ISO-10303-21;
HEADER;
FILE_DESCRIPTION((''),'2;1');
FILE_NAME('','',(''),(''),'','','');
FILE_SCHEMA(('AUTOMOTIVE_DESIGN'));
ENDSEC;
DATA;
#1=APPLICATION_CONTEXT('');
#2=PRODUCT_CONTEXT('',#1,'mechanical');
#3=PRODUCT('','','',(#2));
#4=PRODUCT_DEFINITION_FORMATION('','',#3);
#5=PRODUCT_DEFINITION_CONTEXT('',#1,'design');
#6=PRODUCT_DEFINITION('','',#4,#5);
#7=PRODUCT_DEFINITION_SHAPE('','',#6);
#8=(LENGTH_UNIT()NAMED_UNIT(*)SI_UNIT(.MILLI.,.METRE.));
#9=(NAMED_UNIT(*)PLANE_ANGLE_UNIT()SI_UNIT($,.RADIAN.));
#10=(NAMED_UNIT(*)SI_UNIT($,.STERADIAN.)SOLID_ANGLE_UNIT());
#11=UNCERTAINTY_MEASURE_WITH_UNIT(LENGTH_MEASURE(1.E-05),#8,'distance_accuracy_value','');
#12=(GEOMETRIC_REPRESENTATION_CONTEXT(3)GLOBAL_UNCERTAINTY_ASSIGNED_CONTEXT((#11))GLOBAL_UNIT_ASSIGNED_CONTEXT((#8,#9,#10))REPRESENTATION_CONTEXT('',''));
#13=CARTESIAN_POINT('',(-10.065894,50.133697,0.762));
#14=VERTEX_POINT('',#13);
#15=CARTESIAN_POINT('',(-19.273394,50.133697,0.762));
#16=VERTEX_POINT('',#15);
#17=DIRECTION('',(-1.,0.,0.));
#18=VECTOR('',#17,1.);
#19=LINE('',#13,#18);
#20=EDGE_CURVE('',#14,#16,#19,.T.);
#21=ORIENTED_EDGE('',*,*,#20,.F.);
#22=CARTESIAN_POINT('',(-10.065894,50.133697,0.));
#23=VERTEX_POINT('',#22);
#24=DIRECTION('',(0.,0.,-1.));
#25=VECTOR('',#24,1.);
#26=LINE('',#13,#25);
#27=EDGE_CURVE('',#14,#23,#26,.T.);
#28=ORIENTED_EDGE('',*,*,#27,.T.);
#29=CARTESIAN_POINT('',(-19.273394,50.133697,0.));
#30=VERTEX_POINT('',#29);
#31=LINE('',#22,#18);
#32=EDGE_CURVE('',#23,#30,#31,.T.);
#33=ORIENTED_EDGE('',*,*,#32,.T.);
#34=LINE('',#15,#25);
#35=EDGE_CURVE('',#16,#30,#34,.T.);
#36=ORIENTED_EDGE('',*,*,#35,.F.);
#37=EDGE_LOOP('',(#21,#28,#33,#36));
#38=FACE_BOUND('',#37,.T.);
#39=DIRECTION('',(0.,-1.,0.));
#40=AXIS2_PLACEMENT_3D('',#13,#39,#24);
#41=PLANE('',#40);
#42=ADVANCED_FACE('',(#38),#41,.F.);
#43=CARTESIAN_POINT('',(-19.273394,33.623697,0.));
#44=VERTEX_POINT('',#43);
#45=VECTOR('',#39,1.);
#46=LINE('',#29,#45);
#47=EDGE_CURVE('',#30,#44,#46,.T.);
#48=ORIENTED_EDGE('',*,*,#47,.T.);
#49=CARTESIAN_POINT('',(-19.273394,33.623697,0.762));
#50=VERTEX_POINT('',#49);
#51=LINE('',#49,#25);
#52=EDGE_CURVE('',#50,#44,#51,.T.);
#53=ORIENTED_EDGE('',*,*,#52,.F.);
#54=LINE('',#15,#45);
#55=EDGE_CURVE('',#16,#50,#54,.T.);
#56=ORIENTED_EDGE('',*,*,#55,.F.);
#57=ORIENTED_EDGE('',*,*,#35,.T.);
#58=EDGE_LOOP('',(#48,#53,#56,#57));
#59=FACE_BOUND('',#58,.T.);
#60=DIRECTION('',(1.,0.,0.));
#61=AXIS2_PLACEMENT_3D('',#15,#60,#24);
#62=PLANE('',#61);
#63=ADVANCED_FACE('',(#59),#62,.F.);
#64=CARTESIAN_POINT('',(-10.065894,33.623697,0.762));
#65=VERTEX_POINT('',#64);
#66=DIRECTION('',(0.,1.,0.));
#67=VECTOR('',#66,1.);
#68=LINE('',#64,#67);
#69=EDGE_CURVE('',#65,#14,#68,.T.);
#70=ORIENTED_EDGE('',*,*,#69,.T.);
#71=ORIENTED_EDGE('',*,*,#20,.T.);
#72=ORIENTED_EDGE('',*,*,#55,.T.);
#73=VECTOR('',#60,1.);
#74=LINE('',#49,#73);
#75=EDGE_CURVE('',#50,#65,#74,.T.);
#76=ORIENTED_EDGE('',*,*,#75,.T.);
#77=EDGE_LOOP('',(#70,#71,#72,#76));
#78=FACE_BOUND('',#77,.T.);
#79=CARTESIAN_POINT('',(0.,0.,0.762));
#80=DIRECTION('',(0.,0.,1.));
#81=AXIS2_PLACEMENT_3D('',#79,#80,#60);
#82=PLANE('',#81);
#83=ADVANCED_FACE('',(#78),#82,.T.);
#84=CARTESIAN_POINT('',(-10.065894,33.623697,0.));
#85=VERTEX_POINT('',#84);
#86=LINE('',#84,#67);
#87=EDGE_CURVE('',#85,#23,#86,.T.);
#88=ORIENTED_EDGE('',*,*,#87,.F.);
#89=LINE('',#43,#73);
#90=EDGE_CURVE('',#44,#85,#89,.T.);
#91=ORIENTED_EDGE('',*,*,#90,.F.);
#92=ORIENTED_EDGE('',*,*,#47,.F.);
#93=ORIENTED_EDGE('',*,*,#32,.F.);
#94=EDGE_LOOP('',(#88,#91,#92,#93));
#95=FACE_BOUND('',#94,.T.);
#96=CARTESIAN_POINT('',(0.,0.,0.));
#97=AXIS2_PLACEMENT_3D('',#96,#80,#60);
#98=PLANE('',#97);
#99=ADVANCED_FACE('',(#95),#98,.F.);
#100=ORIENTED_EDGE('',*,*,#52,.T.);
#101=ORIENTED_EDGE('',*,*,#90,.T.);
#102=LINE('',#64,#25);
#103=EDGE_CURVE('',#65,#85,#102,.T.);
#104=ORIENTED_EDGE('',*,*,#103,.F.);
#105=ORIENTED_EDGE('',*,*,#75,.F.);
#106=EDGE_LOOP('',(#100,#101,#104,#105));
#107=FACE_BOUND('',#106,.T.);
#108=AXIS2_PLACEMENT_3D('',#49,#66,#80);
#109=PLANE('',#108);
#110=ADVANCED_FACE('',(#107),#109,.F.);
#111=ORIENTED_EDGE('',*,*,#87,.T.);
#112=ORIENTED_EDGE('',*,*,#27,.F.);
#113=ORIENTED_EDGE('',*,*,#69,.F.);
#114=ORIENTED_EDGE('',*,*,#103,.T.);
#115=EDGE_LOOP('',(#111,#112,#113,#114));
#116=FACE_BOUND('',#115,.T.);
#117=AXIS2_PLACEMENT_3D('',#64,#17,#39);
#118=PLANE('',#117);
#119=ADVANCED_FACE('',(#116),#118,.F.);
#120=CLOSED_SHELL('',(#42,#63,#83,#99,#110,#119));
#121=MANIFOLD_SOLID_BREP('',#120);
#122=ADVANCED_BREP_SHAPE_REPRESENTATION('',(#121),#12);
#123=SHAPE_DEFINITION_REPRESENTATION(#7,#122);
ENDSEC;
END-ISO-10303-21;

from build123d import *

# Parameters (mm, degrees)
SKETCH1_W           = 9.2075
SKETCH1_H           = 16.51
BOSS_EXTRUDE1_DEPTH = 0.762


with BuildPart() as part:
    # Sketch1 → Boss-Extrude1 (new body)
    with BuildSketch(Plane.XY):
        with Locations((-14.669644351, 41.878696913)):
            Rectangle(SKETCH1_W, SKETCH1_H)
    extrude(amount=BOSS_EXTRUDE1_DEPTH)


solid = part.part
